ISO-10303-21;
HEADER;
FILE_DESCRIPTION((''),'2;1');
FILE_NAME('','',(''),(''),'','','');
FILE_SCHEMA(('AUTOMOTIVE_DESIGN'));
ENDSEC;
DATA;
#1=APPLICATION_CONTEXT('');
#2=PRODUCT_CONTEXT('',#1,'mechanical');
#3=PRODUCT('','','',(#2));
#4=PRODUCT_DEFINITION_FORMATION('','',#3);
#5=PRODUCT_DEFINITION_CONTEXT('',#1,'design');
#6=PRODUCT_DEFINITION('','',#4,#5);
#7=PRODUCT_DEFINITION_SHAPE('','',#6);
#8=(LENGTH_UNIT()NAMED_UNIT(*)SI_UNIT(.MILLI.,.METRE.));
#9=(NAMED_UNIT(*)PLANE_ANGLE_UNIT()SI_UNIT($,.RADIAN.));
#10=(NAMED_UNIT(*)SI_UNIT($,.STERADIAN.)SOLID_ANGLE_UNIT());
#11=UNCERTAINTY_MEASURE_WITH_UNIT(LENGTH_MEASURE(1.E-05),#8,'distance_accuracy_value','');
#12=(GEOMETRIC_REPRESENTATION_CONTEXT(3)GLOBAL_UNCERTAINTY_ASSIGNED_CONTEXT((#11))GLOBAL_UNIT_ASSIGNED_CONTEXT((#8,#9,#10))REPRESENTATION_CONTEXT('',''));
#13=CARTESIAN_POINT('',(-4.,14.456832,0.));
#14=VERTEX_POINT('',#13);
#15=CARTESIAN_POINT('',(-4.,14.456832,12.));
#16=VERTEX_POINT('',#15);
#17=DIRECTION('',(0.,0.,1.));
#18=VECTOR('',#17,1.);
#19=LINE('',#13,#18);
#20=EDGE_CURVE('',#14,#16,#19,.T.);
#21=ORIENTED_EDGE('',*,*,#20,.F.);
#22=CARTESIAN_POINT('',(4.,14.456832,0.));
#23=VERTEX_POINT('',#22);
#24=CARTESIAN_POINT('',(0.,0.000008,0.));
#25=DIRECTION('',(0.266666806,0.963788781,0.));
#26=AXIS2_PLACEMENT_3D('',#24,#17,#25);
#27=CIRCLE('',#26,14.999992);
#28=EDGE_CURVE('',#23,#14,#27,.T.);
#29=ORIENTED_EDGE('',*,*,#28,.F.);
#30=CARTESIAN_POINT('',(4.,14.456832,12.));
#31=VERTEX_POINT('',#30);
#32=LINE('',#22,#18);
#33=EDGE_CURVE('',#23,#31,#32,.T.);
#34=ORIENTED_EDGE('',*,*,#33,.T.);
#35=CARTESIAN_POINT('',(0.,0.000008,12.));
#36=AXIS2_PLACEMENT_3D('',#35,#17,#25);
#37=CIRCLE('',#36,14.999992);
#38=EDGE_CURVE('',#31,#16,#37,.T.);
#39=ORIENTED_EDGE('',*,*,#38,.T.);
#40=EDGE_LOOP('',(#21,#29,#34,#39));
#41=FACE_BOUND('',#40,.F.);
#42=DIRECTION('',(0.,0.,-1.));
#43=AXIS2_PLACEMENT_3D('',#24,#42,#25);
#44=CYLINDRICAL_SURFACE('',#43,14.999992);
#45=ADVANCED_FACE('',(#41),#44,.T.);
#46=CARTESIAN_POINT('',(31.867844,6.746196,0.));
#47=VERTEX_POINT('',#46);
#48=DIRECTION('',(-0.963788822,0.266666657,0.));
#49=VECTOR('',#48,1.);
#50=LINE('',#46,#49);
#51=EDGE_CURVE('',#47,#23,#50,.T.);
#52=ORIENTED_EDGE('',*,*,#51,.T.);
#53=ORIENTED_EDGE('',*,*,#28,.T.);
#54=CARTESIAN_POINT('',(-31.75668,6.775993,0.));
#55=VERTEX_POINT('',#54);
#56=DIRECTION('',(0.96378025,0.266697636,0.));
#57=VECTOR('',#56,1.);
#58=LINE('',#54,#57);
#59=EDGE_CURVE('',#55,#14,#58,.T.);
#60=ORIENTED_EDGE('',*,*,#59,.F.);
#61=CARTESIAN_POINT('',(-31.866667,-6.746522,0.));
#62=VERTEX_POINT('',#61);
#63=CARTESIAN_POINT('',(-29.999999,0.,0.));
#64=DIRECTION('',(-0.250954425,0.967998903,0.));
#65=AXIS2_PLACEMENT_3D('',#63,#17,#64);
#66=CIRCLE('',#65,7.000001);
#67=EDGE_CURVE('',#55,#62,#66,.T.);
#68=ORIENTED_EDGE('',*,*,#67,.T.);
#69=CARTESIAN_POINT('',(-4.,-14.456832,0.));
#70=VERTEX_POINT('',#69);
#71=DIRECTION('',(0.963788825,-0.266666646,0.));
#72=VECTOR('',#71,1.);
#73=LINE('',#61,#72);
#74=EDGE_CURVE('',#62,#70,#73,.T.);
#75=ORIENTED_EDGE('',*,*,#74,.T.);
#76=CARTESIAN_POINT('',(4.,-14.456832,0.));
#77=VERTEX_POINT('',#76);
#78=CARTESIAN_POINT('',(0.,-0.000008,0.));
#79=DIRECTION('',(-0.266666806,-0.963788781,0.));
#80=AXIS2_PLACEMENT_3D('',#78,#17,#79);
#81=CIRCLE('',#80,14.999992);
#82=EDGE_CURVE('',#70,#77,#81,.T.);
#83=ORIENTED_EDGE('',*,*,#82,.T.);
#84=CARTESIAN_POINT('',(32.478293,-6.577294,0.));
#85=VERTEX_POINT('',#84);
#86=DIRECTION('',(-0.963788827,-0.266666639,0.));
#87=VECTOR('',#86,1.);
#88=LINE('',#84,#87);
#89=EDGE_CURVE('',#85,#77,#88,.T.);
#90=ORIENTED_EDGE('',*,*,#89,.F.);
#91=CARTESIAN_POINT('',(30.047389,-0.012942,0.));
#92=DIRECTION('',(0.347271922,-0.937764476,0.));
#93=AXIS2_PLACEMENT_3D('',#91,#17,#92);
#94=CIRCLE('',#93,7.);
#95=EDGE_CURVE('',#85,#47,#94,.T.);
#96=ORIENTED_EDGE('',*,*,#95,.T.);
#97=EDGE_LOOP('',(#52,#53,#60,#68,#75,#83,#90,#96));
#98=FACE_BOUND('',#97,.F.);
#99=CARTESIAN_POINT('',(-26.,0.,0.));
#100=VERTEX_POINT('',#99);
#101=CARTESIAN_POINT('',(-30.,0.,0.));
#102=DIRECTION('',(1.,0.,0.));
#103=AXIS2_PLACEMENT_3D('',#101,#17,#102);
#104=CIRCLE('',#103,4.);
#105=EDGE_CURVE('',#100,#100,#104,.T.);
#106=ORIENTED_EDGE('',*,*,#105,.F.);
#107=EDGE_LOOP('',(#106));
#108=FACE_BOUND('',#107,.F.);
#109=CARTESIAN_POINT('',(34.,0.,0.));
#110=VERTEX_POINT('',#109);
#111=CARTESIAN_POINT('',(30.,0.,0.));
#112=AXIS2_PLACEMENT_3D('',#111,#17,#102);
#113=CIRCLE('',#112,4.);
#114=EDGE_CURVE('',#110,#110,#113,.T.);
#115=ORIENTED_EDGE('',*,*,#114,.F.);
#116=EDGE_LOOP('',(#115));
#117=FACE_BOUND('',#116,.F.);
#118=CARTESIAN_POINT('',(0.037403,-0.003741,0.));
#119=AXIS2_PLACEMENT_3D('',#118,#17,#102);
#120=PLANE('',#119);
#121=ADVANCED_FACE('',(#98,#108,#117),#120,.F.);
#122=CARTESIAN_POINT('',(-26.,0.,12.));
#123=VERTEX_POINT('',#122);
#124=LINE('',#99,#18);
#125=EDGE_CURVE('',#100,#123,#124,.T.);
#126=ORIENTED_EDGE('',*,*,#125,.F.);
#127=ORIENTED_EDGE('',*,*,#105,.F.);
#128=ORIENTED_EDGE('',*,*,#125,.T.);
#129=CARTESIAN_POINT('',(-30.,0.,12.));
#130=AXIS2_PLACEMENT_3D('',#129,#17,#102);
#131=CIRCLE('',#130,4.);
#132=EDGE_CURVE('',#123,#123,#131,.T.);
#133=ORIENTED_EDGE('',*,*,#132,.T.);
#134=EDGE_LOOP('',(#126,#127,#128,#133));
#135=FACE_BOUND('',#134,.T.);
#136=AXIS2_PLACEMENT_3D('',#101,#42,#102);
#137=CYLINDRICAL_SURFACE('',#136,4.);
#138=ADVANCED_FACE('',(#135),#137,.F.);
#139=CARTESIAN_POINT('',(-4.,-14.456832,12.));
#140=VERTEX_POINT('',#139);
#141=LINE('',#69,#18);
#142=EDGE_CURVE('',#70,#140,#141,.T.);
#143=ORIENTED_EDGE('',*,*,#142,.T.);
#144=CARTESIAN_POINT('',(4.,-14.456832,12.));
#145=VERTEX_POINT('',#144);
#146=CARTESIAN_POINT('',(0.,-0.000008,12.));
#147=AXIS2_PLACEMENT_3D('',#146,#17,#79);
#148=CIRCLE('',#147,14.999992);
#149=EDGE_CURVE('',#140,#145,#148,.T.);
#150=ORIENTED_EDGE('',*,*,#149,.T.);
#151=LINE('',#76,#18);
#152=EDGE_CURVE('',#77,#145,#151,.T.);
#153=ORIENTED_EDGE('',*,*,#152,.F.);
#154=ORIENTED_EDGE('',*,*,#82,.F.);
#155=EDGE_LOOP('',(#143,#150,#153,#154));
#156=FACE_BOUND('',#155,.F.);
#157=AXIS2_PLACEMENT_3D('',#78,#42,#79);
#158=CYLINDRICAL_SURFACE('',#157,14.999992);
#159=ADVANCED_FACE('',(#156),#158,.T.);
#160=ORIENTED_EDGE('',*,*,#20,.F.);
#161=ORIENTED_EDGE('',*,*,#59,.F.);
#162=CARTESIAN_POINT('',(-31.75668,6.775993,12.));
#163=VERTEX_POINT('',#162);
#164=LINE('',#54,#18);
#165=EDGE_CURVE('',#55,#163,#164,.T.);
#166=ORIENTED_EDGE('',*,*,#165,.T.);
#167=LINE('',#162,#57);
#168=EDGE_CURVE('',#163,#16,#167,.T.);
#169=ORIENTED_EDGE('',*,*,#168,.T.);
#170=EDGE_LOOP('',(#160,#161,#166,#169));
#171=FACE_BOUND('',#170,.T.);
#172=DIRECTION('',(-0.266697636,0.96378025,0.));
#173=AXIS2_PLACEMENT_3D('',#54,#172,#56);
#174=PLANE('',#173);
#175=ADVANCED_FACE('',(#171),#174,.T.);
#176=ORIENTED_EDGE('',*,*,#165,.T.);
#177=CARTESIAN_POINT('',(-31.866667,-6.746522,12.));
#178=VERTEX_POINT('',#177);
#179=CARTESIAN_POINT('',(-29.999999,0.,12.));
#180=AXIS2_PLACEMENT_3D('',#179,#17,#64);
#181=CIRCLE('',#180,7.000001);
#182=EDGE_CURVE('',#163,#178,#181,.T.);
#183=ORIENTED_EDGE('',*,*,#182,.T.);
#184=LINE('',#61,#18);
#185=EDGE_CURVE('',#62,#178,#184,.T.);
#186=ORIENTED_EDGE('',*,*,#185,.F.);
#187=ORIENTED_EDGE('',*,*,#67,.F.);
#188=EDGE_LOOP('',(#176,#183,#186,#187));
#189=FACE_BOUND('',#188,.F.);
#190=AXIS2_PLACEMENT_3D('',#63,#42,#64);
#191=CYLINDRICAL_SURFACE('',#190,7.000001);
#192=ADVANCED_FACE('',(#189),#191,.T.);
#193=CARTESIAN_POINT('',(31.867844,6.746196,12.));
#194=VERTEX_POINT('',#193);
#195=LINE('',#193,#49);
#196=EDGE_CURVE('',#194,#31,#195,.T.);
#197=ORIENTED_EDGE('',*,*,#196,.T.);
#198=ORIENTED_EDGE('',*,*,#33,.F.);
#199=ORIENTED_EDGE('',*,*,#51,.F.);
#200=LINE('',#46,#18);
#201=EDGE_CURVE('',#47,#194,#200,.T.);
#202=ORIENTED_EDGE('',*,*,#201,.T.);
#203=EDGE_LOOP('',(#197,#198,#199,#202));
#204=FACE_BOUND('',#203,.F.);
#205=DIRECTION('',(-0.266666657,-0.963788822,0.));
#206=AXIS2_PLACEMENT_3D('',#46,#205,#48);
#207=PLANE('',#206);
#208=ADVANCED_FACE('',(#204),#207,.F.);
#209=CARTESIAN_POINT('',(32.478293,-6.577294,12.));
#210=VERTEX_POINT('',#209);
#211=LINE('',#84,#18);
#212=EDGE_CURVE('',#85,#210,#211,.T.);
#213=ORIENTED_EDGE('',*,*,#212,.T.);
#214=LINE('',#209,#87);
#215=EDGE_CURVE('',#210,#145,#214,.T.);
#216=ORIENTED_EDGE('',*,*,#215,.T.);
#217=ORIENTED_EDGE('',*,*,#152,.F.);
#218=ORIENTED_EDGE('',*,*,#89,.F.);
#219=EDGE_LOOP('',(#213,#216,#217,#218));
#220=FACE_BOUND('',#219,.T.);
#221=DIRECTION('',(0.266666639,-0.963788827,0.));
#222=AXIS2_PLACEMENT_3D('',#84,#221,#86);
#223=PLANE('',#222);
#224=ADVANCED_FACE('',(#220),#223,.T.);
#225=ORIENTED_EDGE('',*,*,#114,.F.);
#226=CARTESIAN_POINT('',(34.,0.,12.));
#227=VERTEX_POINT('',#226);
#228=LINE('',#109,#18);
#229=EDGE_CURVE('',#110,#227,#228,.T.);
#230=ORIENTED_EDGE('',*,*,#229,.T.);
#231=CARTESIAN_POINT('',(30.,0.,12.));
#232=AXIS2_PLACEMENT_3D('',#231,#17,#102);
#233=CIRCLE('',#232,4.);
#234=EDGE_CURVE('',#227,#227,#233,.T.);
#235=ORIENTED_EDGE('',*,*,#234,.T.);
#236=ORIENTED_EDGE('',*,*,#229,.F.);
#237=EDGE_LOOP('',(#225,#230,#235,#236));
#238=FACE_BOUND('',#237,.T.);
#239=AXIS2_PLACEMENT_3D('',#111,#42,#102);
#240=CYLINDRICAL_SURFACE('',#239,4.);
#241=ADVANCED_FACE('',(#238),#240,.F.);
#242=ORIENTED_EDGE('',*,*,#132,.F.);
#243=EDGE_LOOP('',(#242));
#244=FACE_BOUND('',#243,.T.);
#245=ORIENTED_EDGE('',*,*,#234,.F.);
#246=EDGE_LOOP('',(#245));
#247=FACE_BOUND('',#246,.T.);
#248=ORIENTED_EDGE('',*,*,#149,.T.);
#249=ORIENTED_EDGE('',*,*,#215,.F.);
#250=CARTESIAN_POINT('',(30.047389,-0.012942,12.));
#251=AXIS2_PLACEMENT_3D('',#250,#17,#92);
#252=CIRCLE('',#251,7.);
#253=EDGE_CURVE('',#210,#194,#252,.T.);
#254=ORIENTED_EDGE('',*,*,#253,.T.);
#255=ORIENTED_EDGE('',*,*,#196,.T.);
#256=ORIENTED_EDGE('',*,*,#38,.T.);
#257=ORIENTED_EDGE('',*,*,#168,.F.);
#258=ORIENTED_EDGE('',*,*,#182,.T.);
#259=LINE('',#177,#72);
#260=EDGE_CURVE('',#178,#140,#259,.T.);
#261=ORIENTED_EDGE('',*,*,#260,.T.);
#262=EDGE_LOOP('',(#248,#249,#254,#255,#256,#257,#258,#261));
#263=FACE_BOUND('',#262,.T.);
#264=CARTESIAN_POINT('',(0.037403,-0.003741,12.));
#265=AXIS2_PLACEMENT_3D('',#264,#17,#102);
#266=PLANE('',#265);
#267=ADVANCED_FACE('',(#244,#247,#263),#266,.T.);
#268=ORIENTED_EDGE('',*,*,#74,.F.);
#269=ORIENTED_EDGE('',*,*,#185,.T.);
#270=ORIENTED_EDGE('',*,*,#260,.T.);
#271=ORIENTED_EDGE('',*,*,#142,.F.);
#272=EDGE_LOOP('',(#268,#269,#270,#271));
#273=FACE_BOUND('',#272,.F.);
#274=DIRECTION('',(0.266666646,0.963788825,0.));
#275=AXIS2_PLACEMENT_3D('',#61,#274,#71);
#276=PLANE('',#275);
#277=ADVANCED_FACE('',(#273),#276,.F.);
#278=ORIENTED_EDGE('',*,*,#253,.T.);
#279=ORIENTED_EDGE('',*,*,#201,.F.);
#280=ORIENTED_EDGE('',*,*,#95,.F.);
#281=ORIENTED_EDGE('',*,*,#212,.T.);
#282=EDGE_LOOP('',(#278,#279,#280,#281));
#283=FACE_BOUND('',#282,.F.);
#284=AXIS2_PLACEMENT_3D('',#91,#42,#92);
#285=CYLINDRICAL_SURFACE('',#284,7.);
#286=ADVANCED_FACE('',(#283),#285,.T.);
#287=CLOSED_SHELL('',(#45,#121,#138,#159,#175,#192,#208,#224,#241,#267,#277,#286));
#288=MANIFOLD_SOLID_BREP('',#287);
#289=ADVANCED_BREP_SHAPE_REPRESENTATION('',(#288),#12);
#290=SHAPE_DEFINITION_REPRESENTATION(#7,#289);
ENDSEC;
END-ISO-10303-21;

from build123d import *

# Parameters (mm, degrees)
SKETCH_R  = 4
PAD_DEPTH = 12


with BuildPart() as part:
    # Sketch → Pad (new body)
    with BuildSketch(Plane.XY):
        with BuildLine():
            ThreePointArc((-4, -14.456832), (0, -15), (4, -14.456832))
            Line((32.478293, -6.577294), (4, -14.456832))
            ThreePointArc((32.478293, -6.577294), (37.040054, 0.307444), (31.867844, 6.746196))
            Line((31.867844, 6.746196), (4, 14.456832))
            ThreePointArc((4, 14.456832), (0, 15), (-4, 14.456832))
            Line((-31.75668, 6.775993), (-4, 14.456832))
            ThreePointArc((-31.75668, 6.775993), (-36.999768, 0.056933), (-31.866667, -6.746522))
            Line((-31.866667, -6.746522), (-4, -14.456832))
        make_face()
        with Locations((-30, 0)):
            Circle(SKETCH_R, mode=Mode.SUBTRACT)
        with Locations((30, 0)):
            Circle(SKETCH_R, mode=Mode.SUBTRACT)
    extrude(amount=PAD_DEPTH)


solid = part.part
